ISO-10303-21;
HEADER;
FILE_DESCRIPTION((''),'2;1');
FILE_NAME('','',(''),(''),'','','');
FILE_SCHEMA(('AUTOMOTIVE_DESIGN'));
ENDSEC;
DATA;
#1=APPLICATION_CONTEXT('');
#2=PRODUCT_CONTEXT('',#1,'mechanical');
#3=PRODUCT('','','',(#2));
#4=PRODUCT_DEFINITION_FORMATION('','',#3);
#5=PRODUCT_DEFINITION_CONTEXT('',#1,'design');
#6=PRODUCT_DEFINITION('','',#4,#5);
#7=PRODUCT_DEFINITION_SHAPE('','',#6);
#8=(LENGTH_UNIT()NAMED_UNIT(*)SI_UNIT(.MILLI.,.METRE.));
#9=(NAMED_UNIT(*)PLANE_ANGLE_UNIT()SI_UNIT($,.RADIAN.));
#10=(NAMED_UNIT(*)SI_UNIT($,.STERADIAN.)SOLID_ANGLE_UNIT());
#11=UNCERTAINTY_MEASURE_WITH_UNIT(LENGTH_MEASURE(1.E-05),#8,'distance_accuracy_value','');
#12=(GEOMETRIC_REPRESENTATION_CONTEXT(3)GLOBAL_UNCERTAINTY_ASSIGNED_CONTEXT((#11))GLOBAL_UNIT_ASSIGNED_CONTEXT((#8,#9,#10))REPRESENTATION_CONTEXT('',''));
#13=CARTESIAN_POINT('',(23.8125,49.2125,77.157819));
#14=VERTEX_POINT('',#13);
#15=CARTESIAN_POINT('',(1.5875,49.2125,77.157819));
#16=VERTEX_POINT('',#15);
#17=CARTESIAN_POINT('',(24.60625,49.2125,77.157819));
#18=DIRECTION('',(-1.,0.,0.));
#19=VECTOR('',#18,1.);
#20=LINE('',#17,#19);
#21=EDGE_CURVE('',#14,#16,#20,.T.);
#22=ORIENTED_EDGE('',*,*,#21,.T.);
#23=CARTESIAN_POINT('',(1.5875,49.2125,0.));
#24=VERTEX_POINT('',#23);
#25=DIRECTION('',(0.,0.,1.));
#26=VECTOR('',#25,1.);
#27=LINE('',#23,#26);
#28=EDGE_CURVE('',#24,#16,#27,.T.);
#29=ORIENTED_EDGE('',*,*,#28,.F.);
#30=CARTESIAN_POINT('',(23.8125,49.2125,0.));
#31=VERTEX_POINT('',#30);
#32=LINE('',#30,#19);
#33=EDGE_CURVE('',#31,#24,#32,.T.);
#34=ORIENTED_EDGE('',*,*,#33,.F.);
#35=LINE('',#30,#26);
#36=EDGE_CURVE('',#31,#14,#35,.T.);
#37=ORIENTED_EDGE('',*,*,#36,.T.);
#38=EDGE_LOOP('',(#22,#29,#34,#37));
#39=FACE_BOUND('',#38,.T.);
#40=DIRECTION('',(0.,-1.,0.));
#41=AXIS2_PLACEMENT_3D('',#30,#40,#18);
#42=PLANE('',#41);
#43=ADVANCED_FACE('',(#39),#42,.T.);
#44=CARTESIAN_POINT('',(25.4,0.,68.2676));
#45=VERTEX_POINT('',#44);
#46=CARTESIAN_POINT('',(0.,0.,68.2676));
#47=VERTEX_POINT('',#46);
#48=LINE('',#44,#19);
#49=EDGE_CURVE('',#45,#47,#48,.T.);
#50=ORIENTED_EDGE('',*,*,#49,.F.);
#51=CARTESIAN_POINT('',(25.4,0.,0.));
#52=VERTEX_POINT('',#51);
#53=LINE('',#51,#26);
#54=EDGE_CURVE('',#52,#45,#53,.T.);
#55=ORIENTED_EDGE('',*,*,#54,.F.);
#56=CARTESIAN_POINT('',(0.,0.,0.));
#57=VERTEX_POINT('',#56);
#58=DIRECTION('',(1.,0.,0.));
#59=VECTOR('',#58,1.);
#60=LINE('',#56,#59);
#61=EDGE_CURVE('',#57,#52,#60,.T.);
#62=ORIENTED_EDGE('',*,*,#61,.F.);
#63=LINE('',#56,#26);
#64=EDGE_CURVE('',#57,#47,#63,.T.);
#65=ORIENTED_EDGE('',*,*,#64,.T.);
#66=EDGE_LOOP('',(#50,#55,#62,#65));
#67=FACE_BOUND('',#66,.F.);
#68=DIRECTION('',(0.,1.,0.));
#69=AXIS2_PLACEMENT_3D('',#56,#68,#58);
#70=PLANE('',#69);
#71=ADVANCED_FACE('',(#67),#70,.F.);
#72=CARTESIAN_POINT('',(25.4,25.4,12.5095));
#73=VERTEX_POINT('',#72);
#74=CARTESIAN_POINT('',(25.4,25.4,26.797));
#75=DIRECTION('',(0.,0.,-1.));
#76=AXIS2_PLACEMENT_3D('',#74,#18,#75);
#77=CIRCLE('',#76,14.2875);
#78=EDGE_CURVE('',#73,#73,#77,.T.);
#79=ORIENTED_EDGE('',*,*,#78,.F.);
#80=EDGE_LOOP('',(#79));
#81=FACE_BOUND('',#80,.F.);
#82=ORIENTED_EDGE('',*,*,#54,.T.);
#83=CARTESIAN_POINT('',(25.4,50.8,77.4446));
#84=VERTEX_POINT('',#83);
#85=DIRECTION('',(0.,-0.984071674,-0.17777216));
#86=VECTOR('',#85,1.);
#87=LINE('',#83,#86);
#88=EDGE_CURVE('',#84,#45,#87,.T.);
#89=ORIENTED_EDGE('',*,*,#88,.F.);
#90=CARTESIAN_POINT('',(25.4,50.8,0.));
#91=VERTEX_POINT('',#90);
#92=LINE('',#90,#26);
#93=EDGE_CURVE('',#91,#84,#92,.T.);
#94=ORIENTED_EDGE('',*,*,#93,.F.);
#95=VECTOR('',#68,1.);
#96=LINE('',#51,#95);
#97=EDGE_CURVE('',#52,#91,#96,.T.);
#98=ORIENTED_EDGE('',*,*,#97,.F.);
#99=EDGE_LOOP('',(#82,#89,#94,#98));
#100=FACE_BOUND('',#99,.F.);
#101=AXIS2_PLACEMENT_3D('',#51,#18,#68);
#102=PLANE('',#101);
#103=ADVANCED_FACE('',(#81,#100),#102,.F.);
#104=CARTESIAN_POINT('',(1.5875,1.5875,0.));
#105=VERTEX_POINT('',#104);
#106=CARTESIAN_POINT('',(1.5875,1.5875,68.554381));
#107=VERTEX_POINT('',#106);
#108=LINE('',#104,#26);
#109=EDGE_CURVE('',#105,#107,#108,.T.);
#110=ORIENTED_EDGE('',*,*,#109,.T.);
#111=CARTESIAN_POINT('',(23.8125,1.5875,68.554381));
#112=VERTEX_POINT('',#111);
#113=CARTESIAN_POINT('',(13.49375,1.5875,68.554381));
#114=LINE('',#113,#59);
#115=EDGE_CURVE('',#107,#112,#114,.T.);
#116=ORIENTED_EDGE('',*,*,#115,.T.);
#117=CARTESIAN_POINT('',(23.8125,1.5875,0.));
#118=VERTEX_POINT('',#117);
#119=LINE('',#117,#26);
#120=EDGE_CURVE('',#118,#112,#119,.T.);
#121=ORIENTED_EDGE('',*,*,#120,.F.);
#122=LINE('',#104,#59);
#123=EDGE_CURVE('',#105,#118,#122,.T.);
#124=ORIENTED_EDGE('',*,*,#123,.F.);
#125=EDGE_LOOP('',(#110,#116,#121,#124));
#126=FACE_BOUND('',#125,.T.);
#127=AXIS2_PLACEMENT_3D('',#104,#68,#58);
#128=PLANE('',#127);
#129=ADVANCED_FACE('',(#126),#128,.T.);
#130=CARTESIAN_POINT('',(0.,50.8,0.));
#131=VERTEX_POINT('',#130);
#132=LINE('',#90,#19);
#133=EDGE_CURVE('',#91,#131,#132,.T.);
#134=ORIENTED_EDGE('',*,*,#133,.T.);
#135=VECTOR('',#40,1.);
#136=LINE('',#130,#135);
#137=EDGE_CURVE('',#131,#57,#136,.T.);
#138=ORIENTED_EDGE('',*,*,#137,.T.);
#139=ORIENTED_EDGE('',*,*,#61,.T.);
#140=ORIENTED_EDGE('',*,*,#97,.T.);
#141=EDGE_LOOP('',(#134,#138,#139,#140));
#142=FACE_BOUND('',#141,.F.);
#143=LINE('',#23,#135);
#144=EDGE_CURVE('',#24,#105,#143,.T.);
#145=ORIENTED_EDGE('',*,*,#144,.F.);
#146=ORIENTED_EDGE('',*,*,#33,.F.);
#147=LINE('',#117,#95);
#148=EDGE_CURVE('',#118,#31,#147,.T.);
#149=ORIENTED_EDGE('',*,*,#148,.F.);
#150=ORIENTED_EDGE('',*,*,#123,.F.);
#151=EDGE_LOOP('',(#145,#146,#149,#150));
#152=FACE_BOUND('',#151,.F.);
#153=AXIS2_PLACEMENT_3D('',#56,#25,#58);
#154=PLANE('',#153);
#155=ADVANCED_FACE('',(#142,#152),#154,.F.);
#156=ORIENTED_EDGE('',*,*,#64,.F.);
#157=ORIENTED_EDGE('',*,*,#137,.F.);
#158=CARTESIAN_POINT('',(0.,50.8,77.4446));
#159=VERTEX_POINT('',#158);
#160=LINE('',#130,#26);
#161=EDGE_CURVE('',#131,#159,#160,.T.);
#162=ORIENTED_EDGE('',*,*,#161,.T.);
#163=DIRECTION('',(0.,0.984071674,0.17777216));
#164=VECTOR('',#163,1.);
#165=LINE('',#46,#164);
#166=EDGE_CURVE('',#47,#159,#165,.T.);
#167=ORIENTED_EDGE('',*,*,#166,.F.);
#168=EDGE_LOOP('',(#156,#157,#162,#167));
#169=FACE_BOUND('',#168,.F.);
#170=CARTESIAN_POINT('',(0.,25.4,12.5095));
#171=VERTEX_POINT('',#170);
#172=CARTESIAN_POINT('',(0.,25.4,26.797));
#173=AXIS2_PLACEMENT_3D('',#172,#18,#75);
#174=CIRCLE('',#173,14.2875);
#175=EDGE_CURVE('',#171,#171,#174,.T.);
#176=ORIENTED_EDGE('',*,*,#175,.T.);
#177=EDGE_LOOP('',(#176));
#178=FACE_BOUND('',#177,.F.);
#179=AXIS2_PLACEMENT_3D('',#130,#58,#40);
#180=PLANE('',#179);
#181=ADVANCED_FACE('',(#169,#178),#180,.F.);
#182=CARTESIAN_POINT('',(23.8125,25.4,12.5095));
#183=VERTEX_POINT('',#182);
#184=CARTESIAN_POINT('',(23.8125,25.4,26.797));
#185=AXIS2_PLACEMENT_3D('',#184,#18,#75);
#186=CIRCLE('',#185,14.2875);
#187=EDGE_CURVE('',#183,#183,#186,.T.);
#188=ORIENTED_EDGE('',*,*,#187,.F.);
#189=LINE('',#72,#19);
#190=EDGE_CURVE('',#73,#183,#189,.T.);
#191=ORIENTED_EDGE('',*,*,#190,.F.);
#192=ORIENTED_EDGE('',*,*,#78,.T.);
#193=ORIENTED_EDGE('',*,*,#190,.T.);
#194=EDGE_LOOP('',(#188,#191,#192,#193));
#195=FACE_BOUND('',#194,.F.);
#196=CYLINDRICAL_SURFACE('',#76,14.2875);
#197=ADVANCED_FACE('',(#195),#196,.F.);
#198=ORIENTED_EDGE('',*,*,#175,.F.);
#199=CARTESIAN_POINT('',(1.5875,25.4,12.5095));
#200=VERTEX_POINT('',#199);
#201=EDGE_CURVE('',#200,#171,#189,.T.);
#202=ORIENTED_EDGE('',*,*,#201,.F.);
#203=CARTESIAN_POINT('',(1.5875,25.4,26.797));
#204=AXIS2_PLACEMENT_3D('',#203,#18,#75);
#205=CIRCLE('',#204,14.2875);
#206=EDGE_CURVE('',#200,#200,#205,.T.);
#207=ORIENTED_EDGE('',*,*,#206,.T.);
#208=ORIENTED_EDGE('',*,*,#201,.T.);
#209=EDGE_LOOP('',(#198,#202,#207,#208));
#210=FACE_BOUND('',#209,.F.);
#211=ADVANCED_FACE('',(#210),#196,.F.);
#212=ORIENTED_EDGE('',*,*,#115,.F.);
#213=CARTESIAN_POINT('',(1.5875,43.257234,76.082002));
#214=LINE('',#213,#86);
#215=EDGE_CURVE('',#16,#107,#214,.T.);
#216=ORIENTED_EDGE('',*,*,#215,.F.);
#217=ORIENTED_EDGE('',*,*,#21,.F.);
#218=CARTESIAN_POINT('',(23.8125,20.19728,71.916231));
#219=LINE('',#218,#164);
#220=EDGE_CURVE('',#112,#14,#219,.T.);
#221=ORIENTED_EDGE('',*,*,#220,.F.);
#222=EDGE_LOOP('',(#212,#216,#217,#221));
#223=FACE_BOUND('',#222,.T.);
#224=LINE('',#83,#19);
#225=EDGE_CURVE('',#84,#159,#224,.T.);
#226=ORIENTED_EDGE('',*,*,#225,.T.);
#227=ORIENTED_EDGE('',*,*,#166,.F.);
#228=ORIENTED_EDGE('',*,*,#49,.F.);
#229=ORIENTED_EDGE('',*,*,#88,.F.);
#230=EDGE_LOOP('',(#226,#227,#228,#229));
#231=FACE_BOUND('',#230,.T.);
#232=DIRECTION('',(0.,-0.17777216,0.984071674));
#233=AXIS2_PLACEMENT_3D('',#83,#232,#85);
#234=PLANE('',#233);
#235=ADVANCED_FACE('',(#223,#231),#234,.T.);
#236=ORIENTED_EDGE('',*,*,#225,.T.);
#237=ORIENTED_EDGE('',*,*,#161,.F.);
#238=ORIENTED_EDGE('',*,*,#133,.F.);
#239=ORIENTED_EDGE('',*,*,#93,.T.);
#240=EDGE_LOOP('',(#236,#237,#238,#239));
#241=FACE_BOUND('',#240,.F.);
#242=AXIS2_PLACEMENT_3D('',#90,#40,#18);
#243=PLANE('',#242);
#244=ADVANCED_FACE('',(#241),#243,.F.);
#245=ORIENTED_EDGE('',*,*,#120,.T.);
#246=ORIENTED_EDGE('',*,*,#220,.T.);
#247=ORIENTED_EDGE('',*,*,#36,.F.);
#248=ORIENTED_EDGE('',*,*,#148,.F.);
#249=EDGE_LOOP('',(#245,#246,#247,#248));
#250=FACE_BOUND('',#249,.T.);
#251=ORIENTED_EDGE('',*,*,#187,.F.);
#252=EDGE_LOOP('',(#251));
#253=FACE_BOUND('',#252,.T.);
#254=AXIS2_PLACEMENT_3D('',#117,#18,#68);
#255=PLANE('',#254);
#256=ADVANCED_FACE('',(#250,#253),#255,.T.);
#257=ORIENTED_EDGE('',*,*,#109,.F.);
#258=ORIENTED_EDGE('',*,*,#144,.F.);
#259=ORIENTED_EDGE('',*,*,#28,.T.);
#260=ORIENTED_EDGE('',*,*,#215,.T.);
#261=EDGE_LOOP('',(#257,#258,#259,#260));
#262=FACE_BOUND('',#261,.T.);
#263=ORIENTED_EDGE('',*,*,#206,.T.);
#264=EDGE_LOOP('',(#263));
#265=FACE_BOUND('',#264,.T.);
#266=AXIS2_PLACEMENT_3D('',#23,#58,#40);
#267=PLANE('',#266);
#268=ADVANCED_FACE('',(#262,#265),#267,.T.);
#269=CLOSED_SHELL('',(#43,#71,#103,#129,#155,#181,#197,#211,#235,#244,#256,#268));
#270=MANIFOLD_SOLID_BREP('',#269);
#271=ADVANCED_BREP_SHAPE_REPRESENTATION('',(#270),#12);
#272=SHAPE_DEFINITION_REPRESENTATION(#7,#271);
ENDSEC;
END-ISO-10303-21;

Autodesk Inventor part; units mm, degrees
ref_plane "YZ Plane" through (0, 0, 0) normal (1, 0, 0) x (0, 1, 0)
ref_plane "XZ Plane" through (0, 0, 0) normal (0, 1, 0) x (-1, 0, 0)
ref_plane "XY Plane" through (0, 0, 0) normal (0, 0, 1) x (1, 0, 0)
sketch "Sketch1" plane through (0, 0, 0) normal (0, 0, 1) x (1, 0, 0)
  line L0 (0, 0) -> (25.4, 0)
  line L1 (25.4, 0) -> (25.4, 50.8)
  line L2 (25.4, 50.8) -> (0, 50.8)
  line L3 (0, 50.8) -> (0, 0)
  line L4 (1.5875, 1.5875) -> (23.8125, 1.5875)
  line L5 (23.8125, 1.5875) -> (23.8125, 49.2125)
  line L6 (23.8125, 49.2125) -> (1.5875, 49.2125)
  line L7 (1.5875, 49.2125) -> (1.5875, 1.5875)
  dimension "d0" = 25.4
  dimension "d1" = 50.8
  dimension "d2" = 1.5875
extrude "Extrusion1" add sketch "Sketch1" along normal blind 77.4446
sketch "Sketch2" plane through (25.4, 0, 0) normal (1, 0, 0) x (0, 0, -1)
  line L0 (0, 50.8) -> (-77.4446, 50.8) projected
  line L1 (-77.4446, 50.8) -> (-68.2676, 0)
  line L2 (-68.2676, 0) -> (-77.4446, 0)
  line L3 (0, 1.5875) -> (-77.4446, 1.5875) projected
  line L4 (-77.4446, 50.8) -> (-77.4446, 0) projected
  line L5 (-77.4446, 0) -> (-77.4446, 50.8)
  point P0 (0, 0)
  dimension "d5" = 10.24
sketch "Sketch3" plane through (25.4, 0, 0) normal (1, 0, 0) x (0, 0, -1)
  line L0 (0, 0) -> (0, 50.8) projected
  line L1 (0, 50.8) -> (-77.4446, 50.8) projected
  line L2 (-77.4446, 0) -> (-77.4446, 50.8) projected
  point P0 (-26.797, 25.4)
  dimension "d10" = 25.4
  dimension "d21" = 50.6476
hole "Hole1" at (25.4, 25.4, 26.797) direction (-1, 0, 0) diameter 28.575 depth 25.4 tip angle 118
extrude "Extrusion3" cut sketch "Sketch2" against normal blind 25.4
properties part number "ARM_029_BottomIntakeSide" material "Aluminum 6061"
